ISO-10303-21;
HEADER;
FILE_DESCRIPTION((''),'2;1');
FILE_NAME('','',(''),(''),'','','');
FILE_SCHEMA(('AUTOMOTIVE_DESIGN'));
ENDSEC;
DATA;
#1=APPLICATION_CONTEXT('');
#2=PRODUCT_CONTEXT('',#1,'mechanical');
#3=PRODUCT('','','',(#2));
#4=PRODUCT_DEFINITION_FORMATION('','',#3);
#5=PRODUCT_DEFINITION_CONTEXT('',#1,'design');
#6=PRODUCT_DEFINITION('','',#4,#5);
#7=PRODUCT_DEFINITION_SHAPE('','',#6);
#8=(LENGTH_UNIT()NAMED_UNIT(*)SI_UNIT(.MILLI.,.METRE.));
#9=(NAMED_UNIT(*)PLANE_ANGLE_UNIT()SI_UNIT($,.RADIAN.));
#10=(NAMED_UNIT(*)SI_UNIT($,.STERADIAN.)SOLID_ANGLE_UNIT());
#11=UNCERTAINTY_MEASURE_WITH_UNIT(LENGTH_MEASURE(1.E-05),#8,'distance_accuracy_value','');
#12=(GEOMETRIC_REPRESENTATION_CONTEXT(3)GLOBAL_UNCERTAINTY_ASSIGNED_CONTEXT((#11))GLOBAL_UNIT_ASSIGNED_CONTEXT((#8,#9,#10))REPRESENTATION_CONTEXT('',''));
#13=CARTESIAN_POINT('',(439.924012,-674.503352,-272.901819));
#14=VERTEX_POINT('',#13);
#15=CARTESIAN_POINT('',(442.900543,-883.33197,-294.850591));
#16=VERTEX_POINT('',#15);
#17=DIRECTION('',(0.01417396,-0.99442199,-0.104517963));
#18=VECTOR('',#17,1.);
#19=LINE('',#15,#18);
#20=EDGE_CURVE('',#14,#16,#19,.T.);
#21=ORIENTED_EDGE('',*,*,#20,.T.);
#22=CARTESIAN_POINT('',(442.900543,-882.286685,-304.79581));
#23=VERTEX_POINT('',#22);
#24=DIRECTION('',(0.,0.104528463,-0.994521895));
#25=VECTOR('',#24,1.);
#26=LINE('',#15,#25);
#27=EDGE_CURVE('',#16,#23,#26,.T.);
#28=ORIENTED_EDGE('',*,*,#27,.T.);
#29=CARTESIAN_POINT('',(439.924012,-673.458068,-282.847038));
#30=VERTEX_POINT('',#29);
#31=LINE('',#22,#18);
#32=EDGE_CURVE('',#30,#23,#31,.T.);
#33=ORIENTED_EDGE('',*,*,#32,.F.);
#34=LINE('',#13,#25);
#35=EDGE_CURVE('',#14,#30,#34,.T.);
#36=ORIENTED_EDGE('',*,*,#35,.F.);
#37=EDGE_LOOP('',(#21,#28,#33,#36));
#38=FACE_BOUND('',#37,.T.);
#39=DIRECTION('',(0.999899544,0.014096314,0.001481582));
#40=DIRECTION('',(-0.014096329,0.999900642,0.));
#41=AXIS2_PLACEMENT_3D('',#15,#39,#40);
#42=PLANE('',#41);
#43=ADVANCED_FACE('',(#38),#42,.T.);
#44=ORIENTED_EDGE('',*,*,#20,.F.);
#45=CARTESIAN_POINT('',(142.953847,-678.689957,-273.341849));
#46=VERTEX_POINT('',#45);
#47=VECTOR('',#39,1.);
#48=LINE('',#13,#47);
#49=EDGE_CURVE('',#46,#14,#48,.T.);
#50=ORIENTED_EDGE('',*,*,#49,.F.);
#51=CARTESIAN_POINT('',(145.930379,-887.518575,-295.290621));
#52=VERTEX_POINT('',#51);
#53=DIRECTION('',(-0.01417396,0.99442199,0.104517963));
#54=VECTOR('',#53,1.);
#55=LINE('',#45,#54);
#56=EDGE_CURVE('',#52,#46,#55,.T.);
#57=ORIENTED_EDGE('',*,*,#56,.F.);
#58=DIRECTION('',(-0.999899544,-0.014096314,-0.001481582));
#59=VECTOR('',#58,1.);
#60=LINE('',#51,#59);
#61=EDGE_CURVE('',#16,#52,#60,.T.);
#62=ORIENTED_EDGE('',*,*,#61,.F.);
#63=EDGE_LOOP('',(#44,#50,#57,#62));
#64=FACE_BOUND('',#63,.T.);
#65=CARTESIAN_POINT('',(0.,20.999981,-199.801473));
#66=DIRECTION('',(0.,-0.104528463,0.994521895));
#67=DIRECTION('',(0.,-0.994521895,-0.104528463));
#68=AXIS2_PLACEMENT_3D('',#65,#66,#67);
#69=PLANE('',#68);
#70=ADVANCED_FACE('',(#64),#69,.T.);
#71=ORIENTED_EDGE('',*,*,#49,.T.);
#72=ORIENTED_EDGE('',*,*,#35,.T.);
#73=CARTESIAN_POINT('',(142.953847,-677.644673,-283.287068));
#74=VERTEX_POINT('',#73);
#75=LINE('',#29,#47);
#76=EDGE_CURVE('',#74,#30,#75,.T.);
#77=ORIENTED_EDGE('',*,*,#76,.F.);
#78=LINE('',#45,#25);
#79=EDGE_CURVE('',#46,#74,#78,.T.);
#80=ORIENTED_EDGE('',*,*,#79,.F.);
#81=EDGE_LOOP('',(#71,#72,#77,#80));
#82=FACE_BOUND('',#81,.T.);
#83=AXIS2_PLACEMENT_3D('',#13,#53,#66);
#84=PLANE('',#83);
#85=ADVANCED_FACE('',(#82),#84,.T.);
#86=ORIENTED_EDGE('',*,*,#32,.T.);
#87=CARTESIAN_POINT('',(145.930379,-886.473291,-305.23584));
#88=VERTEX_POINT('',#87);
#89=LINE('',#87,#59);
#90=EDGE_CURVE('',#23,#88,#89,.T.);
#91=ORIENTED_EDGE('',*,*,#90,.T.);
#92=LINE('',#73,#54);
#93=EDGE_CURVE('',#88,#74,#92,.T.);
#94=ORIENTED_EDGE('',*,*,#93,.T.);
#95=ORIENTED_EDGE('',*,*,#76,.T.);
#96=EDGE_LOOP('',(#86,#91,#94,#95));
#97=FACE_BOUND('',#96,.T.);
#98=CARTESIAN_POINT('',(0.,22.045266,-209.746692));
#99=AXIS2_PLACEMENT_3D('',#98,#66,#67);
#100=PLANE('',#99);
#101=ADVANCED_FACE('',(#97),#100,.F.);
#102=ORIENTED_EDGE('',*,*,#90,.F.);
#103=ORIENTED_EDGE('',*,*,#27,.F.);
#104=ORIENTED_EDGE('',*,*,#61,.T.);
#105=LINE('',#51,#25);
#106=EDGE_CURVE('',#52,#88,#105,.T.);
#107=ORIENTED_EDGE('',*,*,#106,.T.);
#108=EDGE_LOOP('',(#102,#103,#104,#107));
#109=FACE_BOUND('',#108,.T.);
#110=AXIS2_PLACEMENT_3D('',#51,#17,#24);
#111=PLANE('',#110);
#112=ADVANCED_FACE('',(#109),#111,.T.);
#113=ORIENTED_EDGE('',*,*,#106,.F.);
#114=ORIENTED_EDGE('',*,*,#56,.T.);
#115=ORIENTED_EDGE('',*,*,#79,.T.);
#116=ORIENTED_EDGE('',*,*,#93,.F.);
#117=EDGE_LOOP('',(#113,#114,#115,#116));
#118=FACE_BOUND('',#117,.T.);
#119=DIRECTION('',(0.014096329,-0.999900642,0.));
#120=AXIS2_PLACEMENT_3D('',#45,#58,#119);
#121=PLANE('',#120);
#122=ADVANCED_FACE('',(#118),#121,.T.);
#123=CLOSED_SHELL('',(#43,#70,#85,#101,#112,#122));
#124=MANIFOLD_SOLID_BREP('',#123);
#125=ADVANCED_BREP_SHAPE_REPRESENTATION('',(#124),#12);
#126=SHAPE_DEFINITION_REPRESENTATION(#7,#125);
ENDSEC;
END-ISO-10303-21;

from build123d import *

# Parameters (mm, degrees)
BOSS_EXTRUDE1_DEPTH = 10


with BuildPart() as part:
    # Sketch1 → Boss-Extrude1 (new body)
    with BuildSketch(Plane(origin=(0, 22.045265659, -209.746691971), x_dir=(-1, 0, 0), z_dir=(0, 0.1045284632676533, -0.9945218953682734))):
        Polygon((-439.924011728, -699.334359964), (-142.953847047, -703.544026118), (-145.930378671, -913.522930438), (-442.900543352, -909.313264284), align=None)
    extrude(amount=-BOSS_EXTRUDE1_DEPTH)


solid = part.part
